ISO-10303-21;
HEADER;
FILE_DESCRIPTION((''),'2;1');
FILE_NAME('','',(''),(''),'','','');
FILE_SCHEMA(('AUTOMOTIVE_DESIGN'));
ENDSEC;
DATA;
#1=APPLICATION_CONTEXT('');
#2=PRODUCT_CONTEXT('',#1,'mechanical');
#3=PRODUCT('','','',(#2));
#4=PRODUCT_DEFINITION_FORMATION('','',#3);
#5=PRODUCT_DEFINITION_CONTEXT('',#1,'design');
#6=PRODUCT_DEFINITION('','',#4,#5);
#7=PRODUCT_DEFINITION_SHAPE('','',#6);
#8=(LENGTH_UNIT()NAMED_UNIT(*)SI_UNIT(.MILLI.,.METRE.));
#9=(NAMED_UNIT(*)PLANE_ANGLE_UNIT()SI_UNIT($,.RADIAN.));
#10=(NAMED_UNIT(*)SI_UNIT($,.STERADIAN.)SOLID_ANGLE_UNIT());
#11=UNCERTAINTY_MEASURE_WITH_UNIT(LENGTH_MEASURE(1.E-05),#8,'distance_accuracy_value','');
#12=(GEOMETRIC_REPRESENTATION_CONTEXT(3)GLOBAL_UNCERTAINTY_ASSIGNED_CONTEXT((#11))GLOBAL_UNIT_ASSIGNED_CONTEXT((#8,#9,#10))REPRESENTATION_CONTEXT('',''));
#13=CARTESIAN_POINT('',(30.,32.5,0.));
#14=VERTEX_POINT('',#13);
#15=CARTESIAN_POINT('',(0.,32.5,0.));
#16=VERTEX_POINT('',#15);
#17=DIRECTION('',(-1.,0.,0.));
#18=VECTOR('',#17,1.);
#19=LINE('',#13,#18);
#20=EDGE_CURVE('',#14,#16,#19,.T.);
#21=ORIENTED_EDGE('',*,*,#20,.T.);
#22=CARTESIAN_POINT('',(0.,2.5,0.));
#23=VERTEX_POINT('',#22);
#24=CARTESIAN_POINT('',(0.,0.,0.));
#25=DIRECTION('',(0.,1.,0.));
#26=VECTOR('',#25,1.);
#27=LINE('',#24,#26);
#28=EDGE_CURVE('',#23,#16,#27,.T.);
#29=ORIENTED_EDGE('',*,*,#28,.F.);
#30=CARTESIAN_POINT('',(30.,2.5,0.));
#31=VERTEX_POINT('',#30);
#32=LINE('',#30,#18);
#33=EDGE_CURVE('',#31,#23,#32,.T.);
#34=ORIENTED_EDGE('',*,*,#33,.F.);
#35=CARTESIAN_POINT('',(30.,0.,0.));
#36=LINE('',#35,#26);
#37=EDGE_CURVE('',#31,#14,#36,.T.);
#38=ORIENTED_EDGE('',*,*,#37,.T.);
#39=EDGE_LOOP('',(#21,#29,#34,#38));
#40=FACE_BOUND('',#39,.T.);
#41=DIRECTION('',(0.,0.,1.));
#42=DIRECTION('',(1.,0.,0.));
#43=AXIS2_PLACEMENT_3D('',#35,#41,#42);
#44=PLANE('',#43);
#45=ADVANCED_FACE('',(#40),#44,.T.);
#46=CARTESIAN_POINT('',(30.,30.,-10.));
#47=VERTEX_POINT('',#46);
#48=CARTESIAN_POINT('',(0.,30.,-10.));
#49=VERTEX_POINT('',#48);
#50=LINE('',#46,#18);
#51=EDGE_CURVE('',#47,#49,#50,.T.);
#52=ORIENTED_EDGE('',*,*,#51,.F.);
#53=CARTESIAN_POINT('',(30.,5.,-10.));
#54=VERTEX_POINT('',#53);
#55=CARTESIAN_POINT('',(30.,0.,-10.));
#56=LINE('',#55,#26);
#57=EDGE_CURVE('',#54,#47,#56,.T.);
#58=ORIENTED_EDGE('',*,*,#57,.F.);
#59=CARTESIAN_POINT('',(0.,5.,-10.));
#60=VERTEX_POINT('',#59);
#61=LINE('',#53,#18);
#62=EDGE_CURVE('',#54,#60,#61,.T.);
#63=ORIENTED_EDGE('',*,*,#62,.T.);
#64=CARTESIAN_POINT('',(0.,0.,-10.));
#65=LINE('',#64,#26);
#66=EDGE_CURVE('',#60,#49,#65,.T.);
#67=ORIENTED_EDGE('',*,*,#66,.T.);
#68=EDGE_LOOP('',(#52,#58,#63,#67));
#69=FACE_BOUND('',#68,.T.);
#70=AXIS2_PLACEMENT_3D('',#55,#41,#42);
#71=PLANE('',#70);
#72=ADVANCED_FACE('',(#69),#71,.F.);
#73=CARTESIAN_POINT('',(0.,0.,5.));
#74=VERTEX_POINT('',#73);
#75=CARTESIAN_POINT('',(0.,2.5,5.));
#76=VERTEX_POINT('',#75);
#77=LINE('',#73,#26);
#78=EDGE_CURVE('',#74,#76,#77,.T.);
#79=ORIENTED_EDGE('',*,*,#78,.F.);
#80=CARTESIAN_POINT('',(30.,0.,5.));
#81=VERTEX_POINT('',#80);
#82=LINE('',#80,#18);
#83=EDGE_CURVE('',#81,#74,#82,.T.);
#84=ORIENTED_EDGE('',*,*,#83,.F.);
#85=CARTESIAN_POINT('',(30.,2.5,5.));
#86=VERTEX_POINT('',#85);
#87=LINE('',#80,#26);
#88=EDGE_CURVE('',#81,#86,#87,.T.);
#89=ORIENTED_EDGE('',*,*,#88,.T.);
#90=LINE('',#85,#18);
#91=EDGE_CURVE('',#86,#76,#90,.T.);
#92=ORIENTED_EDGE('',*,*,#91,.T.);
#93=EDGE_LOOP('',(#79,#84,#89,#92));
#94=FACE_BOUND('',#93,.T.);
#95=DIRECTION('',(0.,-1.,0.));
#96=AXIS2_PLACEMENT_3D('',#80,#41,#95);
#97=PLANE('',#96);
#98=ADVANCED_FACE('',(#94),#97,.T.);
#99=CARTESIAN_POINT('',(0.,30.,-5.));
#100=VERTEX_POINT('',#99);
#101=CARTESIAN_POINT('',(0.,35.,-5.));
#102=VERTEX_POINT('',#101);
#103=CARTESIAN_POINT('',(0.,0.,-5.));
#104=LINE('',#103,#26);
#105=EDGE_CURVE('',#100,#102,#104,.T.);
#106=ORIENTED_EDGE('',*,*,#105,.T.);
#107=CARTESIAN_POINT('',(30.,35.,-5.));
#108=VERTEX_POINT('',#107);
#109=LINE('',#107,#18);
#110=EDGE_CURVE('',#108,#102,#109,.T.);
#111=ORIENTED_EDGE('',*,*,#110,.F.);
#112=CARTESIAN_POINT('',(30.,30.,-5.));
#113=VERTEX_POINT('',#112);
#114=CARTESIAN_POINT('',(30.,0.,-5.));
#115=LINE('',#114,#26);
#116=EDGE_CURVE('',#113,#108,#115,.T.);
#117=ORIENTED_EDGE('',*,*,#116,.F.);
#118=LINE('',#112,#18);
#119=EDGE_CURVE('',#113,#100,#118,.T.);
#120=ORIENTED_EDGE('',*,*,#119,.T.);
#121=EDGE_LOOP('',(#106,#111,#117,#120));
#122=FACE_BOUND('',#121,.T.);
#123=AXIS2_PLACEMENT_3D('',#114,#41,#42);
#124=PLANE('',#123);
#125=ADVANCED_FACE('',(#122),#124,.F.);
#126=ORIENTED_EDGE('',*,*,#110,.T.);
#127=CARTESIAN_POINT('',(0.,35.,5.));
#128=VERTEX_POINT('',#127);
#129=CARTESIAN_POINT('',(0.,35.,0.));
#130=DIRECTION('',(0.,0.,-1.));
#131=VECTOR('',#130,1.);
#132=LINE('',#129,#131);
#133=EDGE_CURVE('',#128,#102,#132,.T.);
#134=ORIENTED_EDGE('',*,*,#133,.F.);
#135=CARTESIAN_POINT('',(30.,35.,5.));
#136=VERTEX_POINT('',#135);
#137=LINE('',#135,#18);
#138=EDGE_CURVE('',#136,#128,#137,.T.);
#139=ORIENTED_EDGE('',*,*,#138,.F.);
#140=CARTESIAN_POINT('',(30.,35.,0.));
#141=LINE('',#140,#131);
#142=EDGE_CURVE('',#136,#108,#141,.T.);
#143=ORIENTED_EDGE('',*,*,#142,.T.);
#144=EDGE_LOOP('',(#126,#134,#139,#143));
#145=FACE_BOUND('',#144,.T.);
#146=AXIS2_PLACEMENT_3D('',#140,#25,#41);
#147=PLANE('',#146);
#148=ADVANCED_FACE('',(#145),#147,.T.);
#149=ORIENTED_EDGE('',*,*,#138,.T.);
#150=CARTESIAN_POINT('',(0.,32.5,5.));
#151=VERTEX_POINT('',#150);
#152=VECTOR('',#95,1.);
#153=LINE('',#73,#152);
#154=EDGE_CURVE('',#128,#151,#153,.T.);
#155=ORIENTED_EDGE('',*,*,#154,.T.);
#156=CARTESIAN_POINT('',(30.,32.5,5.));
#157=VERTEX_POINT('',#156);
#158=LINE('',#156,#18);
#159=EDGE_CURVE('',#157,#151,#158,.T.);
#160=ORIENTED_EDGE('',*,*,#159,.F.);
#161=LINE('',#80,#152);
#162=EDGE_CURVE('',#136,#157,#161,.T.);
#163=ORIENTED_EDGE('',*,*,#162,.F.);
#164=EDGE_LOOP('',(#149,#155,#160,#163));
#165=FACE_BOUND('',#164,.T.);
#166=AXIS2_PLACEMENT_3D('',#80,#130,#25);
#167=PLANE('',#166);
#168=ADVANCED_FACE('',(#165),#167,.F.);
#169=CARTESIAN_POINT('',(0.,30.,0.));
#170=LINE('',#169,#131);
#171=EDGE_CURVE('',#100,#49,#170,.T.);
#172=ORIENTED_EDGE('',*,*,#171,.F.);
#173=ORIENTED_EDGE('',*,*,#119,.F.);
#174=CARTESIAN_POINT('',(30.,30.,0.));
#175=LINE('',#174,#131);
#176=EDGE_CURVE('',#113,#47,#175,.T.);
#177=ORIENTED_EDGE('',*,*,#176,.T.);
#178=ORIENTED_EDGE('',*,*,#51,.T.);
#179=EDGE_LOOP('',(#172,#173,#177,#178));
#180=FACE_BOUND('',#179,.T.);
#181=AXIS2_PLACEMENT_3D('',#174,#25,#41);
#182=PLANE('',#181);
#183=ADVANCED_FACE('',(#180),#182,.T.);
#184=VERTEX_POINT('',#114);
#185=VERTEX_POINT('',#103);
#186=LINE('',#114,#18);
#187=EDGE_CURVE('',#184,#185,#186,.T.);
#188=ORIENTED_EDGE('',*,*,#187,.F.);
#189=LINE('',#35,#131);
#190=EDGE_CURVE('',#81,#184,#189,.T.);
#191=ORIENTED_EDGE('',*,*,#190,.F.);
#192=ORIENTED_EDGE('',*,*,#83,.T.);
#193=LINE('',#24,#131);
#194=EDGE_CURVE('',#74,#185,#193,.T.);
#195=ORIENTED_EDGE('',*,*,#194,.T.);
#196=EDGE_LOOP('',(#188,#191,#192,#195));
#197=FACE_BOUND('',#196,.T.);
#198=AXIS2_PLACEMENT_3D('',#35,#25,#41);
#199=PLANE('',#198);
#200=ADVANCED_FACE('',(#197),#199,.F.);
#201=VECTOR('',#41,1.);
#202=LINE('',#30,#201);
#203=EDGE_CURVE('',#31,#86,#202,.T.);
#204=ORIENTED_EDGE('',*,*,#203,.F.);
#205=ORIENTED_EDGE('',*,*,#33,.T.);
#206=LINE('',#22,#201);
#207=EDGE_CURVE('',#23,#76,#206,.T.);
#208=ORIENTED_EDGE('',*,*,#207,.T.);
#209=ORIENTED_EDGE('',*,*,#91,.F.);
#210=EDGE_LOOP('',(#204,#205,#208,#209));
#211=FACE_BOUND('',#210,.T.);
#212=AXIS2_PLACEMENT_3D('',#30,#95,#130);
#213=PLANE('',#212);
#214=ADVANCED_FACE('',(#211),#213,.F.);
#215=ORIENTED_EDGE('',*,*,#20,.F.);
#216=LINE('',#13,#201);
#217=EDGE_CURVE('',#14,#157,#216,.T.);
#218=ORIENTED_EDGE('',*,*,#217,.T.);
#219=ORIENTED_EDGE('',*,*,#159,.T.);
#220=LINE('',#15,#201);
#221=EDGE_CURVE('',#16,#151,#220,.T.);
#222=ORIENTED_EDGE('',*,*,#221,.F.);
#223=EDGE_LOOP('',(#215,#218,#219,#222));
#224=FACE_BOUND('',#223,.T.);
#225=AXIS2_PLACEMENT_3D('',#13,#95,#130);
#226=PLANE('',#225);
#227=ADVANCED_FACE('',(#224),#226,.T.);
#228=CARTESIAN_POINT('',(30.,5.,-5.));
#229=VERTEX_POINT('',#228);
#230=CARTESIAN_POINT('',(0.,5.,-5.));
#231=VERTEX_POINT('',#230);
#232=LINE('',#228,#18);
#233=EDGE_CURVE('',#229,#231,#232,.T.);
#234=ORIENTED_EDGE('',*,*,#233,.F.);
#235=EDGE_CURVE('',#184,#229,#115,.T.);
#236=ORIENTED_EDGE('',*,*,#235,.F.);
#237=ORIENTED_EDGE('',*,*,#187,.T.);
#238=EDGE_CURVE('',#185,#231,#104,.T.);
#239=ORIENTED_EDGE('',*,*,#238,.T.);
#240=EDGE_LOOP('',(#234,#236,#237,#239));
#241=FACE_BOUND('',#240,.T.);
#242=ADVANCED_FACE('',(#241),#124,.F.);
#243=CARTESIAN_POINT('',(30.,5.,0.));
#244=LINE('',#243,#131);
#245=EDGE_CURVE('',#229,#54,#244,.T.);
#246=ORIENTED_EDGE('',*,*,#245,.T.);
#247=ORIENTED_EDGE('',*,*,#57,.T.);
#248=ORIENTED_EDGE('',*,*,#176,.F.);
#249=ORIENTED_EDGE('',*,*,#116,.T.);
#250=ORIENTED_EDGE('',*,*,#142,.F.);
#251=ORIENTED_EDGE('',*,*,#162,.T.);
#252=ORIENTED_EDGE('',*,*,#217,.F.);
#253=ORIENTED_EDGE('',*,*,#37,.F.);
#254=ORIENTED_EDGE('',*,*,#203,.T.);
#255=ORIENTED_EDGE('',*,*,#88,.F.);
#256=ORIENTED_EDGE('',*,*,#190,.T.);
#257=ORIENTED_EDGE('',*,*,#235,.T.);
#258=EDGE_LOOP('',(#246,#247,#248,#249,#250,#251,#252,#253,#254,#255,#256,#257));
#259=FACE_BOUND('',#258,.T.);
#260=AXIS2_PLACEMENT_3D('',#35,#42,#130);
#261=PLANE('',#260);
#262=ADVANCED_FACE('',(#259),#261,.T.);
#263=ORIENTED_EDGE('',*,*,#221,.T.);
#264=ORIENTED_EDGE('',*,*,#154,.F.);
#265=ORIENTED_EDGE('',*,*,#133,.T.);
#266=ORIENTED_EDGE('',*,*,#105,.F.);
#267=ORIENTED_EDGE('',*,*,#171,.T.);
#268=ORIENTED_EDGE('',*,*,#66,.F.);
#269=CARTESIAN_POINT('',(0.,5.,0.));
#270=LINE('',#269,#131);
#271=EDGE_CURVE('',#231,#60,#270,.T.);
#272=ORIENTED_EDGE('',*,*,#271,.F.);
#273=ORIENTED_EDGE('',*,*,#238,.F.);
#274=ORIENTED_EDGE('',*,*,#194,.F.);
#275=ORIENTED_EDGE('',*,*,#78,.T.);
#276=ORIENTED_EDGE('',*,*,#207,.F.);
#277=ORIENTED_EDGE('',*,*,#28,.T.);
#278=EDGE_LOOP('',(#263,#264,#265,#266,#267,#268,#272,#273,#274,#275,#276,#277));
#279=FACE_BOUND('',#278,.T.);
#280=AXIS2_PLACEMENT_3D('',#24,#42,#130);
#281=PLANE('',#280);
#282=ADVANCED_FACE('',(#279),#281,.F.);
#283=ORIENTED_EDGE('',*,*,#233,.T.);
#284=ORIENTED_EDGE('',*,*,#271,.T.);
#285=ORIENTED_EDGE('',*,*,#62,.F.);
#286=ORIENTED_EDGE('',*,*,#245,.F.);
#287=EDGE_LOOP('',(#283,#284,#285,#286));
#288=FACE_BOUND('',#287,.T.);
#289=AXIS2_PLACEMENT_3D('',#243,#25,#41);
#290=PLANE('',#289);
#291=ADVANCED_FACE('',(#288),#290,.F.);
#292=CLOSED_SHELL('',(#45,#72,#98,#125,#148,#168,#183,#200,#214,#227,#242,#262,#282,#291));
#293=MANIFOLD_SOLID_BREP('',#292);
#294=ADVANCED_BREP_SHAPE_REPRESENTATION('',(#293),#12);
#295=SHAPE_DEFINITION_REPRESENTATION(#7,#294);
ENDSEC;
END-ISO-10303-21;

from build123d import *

# Parameters (mm, degrees)
SKETCH1_W           = 5
SKETCH1_H           = 25
SKETCH1_H_2         = 35
SKETCH1_H_3         = 2.5
BOSS_EXTRUDE1_DEPTH = 30


with BuildPart() as part:
    # Sketch1 → Boss-Extrude1 (new body)
    with BuildSketch(Plane(origin=(0, 0, 0), x_dir=(0, 0, -1), z_dir=(1, 0, 0))):
        with Locations((7.5, 17.5)):
            Rectangle(SKETCH1_W, SKETCH1_H)
        with Locations((2.5, 17.5)):
            Rectangle(SKETCH1_W, SKETCH1_H_2)
        with Locations((-2.5, 33.75)):
            Rectangle(SKETCH1_W, SKETCH1_H_3)
        with Locations((-2.5, 1.25)):
            Rectangle(SKETCH1_W, SKETCH1_H_3)
    extrude(amount=BOSS_EXTRUDE1_DEPTH)


solid = part.part
